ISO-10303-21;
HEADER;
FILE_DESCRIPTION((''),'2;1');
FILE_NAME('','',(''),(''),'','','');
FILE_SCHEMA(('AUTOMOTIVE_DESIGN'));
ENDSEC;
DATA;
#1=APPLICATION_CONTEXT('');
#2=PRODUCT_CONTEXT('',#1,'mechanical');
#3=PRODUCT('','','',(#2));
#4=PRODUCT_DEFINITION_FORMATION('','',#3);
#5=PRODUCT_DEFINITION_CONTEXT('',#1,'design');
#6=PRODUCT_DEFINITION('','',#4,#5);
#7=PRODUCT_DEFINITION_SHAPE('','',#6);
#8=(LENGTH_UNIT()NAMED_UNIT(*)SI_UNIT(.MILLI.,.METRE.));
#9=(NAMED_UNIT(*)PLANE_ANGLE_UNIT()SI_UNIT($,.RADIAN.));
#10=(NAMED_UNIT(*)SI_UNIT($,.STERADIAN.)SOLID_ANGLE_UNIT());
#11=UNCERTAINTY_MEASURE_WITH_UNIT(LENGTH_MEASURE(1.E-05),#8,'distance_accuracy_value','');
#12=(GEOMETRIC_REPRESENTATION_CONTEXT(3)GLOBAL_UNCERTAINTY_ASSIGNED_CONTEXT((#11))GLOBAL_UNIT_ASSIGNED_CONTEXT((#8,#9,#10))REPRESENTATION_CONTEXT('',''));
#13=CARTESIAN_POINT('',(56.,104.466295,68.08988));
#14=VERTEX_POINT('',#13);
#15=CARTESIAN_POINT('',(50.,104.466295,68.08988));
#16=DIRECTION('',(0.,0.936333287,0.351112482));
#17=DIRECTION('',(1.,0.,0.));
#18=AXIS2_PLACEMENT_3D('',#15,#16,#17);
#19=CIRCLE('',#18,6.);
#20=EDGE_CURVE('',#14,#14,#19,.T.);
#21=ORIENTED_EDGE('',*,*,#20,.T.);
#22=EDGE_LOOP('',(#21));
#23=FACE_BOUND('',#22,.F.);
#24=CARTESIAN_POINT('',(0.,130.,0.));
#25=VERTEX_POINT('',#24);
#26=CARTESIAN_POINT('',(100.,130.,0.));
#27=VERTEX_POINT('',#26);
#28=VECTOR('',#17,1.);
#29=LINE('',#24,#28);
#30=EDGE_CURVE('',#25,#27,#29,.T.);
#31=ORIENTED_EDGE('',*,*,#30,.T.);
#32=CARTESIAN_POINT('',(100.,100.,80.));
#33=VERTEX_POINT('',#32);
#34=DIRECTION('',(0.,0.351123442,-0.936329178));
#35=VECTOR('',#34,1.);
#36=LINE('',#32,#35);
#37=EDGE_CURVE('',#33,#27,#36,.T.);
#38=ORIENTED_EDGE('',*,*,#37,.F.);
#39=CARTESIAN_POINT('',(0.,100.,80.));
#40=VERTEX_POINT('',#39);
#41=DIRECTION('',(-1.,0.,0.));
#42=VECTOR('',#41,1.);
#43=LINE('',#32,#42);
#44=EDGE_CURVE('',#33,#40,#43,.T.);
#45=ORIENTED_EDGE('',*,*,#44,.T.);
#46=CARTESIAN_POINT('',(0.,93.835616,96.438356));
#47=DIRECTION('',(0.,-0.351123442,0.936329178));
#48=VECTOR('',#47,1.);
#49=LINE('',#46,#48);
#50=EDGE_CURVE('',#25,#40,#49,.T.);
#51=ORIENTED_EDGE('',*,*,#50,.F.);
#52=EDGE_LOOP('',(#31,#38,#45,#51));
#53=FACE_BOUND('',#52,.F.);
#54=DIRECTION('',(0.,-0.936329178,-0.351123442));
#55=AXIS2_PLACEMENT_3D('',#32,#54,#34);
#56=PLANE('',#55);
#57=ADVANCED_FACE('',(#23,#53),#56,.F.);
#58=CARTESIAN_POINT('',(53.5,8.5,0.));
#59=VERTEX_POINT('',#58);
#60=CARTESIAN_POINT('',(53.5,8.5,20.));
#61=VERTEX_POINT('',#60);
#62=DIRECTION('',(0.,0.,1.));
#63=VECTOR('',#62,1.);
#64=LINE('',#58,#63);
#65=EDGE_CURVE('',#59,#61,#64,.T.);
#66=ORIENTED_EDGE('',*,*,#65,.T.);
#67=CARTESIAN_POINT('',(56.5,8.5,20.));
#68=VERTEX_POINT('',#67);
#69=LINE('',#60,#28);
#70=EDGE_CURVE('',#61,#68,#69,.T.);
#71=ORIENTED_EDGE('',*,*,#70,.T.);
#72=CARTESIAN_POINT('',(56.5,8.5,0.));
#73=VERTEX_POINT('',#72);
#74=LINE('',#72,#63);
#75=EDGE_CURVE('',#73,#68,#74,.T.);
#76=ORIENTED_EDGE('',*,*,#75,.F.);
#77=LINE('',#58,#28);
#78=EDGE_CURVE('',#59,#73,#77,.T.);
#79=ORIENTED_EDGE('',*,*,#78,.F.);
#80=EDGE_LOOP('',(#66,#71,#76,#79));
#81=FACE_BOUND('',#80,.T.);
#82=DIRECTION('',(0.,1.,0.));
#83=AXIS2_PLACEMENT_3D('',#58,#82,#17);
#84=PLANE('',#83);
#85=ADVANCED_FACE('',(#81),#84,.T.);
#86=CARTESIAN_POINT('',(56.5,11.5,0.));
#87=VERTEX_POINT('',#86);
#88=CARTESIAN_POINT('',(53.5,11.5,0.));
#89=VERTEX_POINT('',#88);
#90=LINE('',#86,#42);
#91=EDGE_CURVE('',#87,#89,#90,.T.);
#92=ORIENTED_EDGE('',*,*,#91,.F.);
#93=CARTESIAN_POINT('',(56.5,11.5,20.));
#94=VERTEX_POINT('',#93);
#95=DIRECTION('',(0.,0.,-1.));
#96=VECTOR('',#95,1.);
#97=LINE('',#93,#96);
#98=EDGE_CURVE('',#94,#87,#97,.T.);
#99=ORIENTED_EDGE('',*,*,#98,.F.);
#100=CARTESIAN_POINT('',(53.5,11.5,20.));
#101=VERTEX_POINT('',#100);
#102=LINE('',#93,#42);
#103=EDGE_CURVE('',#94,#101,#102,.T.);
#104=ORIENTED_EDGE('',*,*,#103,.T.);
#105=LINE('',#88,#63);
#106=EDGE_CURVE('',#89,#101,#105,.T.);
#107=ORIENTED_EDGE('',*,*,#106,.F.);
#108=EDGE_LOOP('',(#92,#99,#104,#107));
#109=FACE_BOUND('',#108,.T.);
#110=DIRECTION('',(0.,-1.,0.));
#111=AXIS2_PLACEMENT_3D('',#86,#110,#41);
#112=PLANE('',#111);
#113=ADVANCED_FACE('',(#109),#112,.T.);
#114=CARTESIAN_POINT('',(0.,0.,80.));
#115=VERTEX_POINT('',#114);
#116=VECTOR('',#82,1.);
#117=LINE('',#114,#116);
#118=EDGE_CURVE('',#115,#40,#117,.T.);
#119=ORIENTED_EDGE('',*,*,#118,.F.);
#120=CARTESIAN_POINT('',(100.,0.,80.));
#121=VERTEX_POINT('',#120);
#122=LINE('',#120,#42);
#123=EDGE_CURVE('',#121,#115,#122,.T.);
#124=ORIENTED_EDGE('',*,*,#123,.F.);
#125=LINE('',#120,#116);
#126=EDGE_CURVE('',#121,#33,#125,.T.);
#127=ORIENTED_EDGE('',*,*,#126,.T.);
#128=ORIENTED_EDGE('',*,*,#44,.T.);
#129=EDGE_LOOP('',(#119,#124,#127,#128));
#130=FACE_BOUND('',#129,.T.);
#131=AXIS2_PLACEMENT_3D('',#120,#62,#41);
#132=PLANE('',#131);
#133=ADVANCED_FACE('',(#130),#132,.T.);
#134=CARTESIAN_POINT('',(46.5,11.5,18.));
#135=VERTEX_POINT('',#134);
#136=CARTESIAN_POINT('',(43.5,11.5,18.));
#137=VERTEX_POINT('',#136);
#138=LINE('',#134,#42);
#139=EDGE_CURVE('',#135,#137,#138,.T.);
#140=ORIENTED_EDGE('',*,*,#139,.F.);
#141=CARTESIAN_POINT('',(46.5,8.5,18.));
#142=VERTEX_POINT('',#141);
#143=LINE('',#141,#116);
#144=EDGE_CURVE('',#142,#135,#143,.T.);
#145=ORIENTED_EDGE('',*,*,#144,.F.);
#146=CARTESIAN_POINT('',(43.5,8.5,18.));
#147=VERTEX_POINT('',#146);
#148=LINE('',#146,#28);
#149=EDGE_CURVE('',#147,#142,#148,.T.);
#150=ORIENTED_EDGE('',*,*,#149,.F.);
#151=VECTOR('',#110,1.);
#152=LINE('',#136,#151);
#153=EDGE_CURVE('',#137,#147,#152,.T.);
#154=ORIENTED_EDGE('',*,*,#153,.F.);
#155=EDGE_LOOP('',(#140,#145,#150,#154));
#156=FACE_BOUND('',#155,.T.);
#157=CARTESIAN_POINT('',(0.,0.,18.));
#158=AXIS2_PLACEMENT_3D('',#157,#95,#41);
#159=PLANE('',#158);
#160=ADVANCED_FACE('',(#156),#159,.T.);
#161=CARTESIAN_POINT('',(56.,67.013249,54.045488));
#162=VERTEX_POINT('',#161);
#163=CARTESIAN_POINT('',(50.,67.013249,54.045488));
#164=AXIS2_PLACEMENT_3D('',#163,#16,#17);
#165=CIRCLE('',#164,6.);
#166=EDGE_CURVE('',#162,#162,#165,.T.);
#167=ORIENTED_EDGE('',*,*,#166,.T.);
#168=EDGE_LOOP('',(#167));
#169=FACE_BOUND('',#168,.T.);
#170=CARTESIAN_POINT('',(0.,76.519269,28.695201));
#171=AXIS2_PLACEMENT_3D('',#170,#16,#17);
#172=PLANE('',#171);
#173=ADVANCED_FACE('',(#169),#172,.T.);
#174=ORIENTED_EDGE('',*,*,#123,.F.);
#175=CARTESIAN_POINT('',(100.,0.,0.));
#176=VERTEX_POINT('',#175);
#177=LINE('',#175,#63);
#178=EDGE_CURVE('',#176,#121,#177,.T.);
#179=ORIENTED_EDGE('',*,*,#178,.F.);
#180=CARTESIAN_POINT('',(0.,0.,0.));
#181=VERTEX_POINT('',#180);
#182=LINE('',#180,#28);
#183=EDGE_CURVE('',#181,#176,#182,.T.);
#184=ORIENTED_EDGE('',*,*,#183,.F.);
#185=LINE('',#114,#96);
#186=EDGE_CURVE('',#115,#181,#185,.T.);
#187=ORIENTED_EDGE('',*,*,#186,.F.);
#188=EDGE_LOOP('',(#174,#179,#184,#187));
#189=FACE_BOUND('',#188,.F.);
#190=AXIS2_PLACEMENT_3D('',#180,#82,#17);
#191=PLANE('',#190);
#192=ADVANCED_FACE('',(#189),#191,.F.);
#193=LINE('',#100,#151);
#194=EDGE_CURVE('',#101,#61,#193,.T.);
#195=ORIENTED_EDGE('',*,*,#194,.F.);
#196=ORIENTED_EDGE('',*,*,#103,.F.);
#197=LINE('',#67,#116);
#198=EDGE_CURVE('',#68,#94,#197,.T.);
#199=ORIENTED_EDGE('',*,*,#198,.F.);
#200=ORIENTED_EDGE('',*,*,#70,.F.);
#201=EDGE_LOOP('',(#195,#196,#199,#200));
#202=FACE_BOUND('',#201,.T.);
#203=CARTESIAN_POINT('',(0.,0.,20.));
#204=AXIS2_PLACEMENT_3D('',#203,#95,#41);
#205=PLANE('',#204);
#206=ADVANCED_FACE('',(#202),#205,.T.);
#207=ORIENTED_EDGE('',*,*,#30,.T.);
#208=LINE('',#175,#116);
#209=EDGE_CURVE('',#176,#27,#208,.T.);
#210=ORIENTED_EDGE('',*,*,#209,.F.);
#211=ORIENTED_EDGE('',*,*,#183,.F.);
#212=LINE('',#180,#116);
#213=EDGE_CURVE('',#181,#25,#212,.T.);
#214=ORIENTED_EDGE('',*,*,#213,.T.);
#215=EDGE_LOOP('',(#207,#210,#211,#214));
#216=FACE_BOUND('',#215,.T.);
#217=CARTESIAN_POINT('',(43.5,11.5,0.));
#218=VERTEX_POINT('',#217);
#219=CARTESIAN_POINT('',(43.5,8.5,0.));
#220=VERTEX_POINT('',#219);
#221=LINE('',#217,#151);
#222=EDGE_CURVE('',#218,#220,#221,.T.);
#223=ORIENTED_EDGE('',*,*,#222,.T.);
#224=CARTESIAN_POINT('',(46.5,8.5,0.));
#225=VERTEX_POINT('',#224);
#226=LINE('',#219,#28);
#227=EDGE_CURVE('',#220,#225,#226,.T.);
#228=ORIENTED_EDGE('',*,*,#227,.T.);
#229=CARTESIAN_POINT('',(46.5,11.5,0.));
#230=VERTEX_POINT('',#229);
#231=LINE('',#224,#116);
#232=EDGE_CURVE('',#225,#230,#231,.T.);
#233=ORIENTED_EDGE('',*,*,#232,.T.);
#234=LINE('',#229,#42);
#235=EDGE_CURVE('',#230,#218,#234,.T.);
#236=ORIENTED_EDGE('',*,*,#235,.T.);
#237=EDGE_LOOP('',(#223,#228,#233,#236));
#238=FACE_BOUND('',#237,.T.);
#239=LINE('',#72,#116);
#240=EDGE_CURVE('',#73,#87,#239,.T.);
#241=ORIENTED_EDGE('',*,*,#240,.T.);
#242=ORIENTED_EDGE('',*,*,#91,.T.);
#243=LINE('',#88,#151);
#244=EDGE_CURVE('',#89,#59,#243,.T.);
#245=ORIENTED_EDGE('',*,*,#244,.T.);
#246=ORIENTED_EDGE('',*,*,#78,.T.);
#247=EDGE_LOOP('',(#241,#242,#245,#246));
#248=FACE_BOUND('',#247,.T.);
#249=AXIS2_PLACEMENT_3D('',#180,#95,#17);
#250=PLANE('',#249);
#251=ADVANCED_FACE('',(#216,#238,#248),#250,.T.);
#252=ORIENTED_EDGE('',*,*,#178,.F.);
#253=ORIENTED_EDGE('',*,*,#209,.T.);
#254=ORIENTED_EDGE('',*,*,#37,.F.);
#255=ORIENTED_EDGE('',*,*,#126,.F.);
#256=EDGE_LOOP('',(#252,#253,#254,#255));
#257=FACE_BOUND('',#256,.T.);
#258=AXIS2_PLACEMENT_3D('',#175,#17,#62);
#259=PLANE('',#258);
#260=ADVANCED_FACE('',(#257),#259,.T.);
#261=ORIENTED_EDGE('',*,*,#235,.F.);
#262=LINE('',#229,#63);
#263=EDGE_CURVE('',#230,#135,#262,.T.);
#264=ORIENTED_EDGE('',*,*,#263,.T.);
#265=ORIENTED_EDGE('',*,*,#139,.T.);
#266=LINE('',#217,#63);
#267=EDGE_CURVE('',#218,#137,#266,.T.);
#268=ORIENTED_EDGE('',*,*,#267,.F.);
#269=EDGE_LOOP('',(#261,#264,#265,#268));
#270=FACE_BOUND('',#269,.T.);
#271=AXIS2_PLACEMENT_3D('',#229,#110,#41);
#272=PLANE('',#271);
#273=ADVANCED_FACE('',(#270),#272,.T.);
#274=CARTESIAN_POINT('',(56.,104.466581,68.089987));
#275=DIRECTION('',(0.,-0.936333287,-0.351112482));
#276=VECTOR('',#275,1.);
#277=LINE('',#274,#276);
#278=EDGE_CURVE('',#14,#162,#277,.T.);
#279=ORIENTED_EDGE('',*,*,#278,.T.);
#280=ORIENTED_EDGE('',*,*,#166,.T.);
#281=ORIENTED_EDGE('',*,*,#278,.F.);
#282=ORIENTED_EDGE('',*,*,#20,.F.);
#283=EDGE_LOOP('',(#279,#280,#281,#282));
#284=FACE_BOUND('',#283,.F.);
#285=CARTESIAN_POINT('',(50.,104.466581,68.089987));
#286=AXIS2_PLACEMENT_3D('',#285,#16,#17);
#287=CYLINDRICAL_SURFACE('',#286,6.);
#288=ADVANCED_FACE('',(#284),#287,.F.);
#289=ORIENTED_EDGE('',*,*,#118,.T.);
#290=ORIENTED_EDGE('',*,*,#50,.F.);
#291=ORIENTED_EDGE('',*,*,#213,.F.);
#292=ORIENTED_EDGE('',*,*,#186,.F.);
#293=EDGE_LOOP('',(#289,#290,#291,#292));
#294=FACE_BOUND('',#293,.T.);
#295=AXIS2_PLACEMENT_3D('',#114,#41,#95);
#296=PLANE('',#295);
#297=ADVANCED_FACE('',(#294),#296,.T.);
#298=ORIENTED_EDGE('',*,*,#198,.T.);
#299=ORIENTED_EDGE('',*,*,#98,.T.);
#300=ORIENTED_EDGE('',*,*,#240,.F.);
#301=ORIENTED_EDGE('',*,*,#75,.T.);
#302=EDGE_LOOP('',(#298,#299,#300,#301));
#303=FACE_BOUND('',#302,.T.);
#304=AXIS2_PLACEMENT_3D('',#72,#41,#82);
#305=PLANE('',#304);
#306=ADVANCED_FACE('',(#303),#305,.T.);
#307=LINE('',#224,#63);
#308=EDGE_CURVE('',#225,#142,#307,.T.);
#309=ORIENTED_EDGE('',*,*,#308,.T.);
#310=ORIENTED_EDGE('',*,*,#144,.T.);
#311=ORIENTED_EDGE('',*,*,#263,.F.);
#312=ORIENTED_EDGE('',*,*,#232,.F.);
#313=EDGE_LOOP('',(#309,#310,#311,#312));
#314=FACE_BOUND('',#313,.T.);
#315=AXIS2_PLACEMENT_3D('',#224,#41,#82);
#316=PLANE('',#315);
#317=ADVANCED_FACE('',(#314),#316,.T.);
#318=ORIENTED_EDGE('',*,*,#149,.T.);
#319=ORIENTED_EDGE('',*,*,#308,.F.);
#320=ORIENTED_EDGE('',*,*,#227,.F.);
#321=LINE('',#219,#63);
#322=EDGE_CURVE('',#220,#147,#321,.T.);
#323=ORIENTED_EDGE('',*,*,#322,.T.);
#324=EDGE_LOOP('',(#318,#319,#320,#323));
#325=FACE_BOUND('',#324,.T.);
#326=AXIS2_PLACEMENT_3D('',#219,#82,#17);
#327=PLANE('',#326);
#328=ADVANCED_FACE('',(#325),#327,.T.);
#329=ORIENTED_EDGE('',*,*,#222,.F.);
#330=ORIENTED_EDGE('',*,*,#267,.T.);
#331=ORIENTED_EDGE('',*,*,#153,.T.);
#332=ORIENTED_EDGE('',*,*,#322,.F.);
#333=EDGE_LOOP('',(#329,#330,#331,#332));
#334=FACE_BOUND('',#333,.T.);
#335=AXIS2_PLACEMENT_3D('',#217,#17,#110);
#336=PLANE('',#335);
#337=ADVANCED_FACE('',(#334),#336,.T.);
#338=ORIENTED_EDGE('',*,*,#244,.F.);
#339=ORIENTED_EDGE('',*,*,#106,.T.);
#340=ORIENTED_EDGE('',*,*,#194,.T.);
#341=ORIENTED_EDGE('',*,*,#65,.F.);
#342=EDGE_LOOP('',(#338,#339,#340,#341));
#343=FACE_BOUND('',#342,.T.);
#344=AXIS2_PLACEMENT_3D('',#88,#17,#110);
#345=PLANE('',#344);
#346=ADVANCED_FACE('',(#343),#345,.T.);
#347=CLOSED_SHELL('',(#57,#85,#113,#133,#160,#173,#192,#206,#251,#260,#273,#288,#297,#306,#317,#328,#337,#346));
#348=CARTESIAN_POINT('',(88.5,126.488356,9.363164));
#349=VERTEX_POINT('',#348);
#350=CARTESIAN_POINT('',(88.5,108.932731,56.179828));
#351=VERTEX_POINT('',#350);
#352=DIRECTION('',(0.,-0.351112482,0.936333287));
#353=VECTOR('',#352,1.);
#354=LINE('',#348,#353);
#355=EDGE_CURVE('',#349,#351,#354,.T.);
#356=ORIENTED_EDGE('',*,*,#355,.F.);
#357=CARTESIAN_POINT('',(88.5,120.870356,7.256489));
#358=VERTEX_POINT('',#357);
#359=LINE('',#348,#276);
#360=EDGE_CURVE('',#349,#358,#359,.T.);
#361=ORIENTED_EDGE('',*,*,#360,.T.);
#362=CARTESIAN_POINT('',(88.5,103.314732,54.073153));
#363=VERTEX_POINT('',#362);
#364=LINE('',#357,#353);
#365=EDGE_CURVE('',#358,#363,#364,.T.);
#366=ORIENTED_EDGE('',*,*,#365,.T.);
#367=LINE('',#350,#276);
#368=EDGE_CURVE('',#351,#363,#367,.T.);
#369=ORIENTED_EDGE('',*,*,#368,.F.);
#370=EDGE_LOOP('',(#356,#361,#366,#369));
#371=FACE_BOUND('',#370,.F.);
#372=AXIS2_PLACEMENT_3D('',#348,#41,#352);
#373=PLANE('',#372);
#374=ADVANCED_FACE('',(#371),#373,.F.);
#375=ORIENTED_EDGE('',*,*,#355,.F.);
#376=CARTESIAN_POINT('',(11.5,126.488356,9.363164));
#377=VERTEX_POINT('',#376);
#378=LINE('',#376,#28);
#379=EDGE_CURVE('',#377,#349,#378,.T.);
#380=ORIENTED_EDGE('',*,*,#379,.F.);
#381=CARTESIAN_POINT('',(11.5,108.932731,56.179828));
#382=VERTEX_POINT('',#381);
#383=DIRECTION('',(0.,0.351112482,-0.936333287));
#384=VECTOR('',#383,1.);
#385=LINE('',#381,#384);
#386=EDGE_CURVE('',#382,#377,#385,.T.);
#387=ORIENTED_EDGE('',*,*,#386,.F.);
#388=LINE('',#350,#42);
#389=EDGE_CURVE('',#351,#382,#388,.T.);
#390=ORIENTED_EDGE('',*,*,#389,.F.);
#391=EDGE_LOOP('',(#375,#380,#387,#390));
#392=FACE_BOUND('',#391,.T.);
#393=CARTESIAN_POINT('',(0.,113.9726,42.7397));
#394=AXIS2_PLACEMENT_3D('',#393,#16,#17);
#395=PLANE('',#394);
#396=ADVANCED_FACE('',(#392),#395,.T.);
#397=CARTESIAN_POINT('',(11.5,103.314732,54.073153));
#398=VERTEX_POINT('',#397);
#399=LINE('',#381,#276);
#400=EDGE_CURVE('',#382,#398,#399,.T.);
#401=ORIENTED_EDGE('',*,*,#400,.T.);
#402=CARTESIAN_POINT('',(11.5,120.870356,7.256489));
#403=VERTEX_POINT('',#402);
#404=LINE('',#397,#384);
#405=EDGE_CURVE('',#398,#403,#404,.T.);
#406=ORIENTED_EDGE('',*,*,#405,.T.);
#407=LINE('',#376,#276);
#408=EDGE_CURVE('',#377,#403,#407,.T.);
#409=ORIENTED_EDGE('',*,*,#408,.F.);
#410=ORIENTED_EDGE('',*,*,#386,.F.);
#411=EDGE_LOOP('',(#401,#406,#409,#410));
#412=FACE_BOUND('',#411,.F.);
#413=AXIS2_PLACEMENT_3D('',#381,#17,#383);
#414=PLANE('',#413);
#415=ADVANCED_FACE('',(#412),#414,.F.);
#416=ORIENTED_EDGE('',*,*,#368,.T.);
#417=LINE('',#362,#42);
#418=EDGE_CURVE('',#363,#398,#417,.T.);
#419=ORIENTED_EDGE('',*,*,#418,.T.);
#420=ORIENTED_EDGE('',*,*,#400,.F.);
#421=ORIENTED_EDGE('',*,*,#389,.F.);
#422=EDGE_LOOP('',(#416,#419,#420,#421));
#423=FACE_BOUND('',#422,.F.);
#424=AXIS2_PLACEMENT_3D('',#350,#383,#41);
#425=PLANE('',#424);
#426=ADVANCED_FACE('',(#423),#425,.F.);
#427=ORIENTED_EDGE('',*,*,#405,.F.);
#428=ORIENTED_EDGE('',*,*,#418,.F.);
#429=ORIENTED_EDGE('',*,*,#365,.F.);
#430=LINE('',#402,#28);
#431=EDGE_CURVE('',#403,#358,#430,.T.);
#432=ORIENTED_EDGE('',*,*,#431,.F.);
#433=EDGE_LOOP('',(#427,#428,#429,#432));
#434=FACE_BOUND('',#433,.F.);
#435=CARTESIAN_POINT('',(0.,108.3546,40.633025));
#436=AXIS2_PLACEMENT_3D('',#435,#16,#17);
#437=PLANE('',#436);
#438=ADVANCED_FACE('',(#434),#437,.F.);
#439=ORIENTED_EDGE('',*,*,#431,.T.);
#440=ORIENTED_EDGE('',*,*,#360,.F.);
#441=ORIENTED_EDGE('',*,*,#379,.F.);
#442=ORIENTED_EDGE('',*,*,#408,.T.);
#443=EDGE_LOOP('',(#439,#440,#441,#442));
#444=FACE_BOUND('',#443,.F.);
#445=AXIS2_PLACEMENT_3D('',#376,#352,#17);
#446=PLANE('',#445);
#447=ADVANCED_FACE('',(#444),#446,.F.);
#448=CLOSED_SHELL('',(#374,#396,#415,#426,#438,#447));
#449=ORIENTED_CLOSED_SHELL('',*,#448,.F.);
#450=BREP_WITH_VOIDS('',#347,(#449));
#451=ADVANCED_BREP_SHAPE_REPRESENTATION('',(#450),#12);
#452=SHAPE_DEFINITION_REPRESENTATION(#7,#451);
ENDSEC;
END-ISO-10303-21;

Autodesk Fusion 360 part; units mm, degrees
sketch "Sketch1" plane through (0, 0, 0) normal (0, 1, 0) x (1, 0, 0)
  line L0 (0, 0) -> (100, 0)
  line L1 (100, 0) -> (100, -80)
  line L2 (100, -80) -> (0, -80)
  line L3 (0, -80) -> (0, 0)
  dimension "d1" = 100
  dimension "d2" = 80
extrude "Extrude1" add sketch "Sketch1" along normal blind 130
sketch "Sketch2" plane through (100, 0, 0) normal (1, 0, 0) x (0, 0, -1)
  line L0 (-80, 0) -> (0, 0)
  line L1 (0, 0) -> (0, 130)
  line L2 (0, 130) -> (-80, 130)
  line L3 (-80, 130) -> (-80, 0)
  line L4 (-80, 130) -> (-80, 100)
  line L5 (-80, 100) -> (0, 130)
extrude "Extrude2" cut sketch "Sketch2" against normal blind 130 contours L2 L3 L4 L5
sketch "Sketch3" plane through (0, 113.9726, 42.7397) normal (0, 0.9363, 0.3511) x (1, 0, 0)
  line L0 (0, 45.646) -> (0, -39.794)
  line L1 (0, -39.794) -> (100, -39.794)
  line L2 (100, -39.794) -> (100, 45.646)
  line L3 (100, 45.646) -> (0, 45.646)
  line L4 (11.5, 35.646) -> (88.5, 35.646)
  line L5 (88.5, 35.646) -> (88.5, -14.354)
  line L6 (88.5, -14.354) -> (11.5, -14.354)
  line L7 (11.5, -14.354) -> (11.5, 35.646)
  circle A0 centre (50, -27.074) radius 6
  dimension "d7" = 50
  dimension "d8" = 77
  dimension "d9" = 11.5
  dimension "d10" = 19.8322
  dimension "d11" = 10
  dimension "d12" = 25.44
  dimension "d13" = 12.72
  dimension "d14" = 50
  dimension "d15" = 12
extrude "Extrude4" cut sketch "Sketch3" against normal blind 40 contours A0
extrude "Extrude3" cut sketch "Sketch3" against normal blind 6 contours L4 L5 L6 L7
sketch "Sketch4" plane through (0, 0, 0) normal (0, 0, -1) x (-1, 0, 0)
  line L0 (-100, 0) -> (0, 0)
  line L1 (0, 0) -> (0, 130)
  line L2 (0, 130) -> (-100, 130)
  line L3 (-100, 130) -> (-100, 0)
  line L4 (-56.5, 11.5) -> (-53.5, 11.5)
  line L5 (-53.5, 11.5) -> (-53.5, 8.5)
  line L6 (-53.5, 8.5) -> (-56.5, 8.5)
  line L7 (-56.5, 8.5) -> (-56.5, 11.5)
  line L8 (-56.5, 11.5) -> (-53.5, 8.5) construction
  line L9 (-53.5, 11.5) -> (-56.5, 8.5) construction
  line L10 (-46.5, 11.5) -> (-43.5, 11.5)
  line L11 (-43.5, 11.5) -> (-43.5, 8.5)
  line L12 (-43.5, 8.5) -> (-46.5, 8.5)
  line L13 (-46.5, 8.5) -> (-46.5, 11.5)
  line L14 (-46.5, 11.5) -> (-43.5, 8.5) construction
  line L15 (-43.5, 11.5) -> (-46.5, 8.5) construction
  dimension "d20" = 10
  dimension "d21" = 10
  dimension "d22" = 3
  dimension "d23" = 3
  dimension "d24" = 3
  dimension "d25" = 3
  dimension "d30" = 45
extrude "Extrude7" cut sketch "Sketch4" against normal blind 20 contours L4 L5 L6 L7
extrude "Extrude5" cut sketch "Sketch4" against normal blind 14 contours L4 L5 L6 L7
extrude "Extrude6" cut sketch "Sketch4" against normal blind 18 contours L10 L11 L12 L13
equation "d13 = ( 25.44 / 2 ) * 1 mm"
